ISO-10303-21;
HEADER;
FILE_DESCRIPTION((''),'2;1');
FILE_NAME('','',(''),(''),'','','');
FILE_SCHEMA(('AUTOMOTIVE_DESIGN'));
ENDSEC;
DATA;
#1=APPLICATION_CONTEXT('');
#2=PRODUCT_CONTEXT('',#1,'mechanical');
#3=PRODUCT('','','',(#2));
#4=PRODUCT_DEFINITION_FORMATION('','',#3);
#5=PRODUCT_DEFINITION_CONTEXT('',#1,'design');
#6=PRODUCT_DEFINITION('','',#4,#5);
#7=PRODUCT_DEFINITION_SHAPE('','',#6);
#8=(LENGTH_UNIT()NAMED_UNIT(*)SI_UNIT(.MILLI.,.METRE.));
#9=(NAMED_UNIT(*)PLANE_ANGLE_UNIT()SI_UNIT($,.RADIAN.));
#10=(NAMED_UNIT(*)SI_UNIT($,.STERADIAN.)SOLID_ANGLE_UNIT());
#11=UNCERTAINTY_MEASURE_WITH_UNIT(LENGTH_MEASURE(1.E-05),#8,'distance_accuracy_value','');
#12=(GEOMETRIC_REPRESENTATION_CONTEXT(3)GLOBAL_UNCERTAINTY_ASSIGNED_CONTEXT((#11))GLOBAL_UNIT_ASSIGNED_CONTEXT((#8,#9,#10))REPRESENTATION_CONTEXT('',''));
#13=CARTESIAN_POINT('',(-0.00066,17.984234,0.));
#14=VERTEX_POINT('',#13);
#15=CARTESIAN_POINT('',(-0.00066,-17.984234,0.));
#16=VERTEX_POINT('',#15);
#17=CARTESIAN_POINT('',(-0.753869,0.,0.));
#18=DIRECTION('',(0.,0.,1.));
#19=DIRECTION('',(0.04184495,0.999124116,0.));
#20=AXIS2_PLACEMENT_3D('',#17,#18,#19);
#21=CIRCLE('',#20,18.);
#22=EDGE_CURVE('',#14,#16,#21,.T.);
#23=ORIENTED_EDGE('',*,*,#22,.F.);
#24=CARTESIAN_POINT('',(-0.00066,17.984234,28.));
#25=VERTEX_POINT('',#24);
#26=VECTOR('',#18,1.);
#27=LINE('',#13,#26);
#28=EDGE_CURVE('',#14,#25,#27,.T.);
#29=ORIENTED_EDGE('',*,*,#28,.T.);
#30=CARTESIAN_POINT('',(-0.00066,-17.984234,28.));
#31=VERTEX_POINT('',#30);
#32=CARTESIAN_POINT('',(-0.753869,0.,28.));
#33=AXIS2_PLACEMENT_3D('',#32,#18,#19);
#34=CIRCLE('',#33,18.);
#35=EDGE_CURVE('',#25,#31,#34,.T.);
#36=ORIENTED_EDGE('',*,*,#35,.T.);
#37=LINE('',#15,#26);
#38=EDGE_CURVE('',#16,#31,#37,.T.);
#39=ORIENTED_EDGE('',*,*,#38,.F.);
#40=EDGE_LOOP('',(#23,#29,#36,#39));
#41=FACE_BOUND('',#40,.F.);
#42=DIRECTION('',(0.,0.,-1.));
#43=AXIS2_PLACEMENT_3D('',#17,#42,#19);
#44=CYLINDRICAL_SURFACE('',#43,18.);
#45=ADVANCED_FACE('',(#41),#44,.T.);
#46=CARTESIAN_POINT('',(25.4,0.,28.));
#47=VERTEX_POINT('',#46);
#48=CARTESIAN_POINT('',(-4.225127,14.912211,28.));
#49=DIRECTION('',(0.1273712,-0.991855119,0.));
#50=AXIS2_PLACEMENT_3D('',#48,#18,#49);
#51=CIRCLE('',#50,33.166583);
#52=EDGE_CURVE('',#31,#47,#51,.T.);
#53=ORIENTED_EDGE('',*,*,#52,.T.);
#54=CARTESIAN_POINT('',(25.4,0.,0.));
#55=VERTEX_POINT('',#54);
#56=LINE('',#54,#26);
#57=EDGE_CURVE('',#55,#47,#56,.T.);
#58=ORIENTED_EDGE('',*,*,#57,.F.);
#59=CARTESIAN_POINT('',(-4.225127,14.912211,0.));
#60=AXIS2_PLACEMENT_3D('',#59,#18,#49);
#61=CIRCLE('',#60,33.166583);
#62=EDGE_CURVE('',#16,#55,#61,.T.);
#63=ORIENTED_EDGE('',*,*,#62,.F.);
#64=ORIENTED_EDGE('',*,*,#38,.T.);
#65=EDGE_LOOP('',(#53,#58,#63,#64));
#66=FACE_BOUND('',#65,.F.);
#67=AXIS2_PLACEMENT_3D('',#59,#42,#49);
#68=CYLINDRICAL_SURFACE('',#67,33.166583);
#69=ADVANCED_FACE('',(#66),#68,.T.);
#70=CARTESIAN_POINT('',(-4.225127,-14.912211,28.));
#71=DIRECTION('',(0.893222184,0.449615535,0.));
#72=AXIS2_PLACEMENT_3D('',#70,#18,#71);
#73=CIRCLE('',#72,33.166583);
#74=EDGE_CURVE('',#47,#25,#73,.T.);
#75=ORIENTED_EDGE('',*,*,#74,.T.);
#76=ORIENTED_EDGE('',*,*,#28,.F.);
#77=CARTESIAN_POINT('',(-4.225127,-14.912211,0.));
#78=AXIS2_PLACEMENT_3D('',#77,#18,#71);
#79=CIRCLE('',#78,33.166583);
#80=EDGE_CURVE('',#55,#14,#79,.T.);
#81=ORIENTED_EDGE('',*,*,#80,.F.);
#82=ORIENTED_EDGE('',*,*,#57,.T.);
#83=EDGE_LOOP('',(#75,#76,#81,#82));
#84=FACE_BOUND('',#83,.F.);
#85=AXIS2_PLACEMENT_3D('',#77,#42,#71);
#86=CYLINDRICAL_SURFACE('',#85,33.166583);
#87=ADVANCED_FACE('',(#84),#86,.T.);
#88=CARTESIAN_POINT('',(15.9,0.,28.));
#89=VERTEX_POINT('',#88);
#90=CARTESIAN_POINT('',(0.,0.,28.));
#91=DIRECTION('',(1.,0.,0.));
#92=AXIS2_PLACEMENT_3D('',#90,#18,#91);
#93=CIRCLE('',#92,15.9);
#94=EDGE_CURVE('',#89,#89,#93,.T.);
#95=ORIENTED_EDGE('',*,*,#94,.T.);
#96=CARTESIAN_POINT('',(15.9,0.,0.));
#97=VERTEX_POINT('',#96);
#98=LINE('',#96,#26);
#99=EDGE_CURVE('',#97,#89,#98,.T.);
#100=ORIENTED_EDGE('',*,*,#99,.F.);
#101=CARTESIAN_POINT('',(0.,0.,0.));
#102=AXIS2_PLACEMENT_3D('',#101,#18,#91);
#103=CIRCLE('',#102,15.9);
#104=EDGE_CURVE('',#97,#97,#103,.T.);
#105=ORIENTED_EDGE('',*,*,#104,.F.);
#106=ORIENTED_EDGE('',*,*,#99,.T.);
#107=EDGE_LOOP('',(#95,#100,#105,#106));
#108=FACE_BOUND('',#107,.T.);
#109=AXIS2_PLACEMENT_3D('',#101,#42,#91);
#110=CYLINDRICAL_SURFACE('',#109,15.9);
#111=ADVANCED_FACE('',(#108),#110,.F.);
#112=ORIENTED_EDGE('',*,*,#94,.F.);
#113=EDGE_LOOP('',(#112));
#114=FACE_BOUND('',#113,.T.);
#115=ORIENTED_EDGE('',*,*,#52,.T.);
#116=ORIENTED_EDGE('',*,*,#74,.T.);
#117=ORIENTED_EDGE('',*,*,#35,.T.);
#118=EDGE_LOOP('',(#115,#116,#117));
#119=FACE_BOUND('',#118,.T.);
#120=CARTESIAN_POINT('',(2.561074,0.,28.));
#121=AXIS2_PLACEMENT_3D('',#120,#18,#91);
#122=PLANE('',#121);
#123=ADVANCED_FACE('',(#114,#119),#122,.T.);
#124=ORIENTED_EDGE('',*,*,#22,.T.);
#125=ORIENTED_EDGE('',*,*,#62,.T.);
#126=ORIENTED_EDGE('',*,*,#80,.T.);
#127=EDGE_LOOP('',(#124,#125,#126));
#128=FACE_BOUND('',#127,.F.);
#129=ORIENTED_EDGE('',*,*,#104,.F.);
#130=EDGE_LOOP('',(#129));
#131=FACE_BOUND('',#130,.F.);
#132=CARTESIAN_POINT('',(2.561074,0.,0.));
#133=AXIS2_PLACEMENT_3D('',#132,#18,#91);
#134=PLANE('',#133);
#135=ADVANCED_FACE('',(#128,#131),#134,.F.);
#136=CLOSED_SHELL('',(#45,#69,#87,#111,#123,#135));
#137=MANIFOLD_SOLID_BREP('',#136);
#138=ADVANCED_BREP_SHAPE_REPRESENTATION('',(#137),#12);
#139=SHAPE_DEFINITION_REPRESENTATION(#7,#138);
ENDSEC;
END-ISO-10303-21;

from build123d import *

# Parameters (mm, degrees)
F0_R     = 15.9
F1_DEPTH = 28


with BuildPart() as f1:
    # F0 (on Top) → F1 (new body)
    with BuildSketch(Plane.XY):
        with BuildLine():
            ThreePointArc((25.4, 0), (14.940126, 12.156503), (-0.00066, 17.984234))
            ThreePointArc((-0.00066, 17.984234), (-18.753869, 0), (-0.00066, -17.984234))
            ThreePointArc((-0.00066, -17.984234), (14.940126, -12.156503), (25.4, 0))
        make_face()
        Circle(F0_R, mode=Mode.SUBTRACT)
    extrude(amount=F1_DEPTH)


solid = f1.part
